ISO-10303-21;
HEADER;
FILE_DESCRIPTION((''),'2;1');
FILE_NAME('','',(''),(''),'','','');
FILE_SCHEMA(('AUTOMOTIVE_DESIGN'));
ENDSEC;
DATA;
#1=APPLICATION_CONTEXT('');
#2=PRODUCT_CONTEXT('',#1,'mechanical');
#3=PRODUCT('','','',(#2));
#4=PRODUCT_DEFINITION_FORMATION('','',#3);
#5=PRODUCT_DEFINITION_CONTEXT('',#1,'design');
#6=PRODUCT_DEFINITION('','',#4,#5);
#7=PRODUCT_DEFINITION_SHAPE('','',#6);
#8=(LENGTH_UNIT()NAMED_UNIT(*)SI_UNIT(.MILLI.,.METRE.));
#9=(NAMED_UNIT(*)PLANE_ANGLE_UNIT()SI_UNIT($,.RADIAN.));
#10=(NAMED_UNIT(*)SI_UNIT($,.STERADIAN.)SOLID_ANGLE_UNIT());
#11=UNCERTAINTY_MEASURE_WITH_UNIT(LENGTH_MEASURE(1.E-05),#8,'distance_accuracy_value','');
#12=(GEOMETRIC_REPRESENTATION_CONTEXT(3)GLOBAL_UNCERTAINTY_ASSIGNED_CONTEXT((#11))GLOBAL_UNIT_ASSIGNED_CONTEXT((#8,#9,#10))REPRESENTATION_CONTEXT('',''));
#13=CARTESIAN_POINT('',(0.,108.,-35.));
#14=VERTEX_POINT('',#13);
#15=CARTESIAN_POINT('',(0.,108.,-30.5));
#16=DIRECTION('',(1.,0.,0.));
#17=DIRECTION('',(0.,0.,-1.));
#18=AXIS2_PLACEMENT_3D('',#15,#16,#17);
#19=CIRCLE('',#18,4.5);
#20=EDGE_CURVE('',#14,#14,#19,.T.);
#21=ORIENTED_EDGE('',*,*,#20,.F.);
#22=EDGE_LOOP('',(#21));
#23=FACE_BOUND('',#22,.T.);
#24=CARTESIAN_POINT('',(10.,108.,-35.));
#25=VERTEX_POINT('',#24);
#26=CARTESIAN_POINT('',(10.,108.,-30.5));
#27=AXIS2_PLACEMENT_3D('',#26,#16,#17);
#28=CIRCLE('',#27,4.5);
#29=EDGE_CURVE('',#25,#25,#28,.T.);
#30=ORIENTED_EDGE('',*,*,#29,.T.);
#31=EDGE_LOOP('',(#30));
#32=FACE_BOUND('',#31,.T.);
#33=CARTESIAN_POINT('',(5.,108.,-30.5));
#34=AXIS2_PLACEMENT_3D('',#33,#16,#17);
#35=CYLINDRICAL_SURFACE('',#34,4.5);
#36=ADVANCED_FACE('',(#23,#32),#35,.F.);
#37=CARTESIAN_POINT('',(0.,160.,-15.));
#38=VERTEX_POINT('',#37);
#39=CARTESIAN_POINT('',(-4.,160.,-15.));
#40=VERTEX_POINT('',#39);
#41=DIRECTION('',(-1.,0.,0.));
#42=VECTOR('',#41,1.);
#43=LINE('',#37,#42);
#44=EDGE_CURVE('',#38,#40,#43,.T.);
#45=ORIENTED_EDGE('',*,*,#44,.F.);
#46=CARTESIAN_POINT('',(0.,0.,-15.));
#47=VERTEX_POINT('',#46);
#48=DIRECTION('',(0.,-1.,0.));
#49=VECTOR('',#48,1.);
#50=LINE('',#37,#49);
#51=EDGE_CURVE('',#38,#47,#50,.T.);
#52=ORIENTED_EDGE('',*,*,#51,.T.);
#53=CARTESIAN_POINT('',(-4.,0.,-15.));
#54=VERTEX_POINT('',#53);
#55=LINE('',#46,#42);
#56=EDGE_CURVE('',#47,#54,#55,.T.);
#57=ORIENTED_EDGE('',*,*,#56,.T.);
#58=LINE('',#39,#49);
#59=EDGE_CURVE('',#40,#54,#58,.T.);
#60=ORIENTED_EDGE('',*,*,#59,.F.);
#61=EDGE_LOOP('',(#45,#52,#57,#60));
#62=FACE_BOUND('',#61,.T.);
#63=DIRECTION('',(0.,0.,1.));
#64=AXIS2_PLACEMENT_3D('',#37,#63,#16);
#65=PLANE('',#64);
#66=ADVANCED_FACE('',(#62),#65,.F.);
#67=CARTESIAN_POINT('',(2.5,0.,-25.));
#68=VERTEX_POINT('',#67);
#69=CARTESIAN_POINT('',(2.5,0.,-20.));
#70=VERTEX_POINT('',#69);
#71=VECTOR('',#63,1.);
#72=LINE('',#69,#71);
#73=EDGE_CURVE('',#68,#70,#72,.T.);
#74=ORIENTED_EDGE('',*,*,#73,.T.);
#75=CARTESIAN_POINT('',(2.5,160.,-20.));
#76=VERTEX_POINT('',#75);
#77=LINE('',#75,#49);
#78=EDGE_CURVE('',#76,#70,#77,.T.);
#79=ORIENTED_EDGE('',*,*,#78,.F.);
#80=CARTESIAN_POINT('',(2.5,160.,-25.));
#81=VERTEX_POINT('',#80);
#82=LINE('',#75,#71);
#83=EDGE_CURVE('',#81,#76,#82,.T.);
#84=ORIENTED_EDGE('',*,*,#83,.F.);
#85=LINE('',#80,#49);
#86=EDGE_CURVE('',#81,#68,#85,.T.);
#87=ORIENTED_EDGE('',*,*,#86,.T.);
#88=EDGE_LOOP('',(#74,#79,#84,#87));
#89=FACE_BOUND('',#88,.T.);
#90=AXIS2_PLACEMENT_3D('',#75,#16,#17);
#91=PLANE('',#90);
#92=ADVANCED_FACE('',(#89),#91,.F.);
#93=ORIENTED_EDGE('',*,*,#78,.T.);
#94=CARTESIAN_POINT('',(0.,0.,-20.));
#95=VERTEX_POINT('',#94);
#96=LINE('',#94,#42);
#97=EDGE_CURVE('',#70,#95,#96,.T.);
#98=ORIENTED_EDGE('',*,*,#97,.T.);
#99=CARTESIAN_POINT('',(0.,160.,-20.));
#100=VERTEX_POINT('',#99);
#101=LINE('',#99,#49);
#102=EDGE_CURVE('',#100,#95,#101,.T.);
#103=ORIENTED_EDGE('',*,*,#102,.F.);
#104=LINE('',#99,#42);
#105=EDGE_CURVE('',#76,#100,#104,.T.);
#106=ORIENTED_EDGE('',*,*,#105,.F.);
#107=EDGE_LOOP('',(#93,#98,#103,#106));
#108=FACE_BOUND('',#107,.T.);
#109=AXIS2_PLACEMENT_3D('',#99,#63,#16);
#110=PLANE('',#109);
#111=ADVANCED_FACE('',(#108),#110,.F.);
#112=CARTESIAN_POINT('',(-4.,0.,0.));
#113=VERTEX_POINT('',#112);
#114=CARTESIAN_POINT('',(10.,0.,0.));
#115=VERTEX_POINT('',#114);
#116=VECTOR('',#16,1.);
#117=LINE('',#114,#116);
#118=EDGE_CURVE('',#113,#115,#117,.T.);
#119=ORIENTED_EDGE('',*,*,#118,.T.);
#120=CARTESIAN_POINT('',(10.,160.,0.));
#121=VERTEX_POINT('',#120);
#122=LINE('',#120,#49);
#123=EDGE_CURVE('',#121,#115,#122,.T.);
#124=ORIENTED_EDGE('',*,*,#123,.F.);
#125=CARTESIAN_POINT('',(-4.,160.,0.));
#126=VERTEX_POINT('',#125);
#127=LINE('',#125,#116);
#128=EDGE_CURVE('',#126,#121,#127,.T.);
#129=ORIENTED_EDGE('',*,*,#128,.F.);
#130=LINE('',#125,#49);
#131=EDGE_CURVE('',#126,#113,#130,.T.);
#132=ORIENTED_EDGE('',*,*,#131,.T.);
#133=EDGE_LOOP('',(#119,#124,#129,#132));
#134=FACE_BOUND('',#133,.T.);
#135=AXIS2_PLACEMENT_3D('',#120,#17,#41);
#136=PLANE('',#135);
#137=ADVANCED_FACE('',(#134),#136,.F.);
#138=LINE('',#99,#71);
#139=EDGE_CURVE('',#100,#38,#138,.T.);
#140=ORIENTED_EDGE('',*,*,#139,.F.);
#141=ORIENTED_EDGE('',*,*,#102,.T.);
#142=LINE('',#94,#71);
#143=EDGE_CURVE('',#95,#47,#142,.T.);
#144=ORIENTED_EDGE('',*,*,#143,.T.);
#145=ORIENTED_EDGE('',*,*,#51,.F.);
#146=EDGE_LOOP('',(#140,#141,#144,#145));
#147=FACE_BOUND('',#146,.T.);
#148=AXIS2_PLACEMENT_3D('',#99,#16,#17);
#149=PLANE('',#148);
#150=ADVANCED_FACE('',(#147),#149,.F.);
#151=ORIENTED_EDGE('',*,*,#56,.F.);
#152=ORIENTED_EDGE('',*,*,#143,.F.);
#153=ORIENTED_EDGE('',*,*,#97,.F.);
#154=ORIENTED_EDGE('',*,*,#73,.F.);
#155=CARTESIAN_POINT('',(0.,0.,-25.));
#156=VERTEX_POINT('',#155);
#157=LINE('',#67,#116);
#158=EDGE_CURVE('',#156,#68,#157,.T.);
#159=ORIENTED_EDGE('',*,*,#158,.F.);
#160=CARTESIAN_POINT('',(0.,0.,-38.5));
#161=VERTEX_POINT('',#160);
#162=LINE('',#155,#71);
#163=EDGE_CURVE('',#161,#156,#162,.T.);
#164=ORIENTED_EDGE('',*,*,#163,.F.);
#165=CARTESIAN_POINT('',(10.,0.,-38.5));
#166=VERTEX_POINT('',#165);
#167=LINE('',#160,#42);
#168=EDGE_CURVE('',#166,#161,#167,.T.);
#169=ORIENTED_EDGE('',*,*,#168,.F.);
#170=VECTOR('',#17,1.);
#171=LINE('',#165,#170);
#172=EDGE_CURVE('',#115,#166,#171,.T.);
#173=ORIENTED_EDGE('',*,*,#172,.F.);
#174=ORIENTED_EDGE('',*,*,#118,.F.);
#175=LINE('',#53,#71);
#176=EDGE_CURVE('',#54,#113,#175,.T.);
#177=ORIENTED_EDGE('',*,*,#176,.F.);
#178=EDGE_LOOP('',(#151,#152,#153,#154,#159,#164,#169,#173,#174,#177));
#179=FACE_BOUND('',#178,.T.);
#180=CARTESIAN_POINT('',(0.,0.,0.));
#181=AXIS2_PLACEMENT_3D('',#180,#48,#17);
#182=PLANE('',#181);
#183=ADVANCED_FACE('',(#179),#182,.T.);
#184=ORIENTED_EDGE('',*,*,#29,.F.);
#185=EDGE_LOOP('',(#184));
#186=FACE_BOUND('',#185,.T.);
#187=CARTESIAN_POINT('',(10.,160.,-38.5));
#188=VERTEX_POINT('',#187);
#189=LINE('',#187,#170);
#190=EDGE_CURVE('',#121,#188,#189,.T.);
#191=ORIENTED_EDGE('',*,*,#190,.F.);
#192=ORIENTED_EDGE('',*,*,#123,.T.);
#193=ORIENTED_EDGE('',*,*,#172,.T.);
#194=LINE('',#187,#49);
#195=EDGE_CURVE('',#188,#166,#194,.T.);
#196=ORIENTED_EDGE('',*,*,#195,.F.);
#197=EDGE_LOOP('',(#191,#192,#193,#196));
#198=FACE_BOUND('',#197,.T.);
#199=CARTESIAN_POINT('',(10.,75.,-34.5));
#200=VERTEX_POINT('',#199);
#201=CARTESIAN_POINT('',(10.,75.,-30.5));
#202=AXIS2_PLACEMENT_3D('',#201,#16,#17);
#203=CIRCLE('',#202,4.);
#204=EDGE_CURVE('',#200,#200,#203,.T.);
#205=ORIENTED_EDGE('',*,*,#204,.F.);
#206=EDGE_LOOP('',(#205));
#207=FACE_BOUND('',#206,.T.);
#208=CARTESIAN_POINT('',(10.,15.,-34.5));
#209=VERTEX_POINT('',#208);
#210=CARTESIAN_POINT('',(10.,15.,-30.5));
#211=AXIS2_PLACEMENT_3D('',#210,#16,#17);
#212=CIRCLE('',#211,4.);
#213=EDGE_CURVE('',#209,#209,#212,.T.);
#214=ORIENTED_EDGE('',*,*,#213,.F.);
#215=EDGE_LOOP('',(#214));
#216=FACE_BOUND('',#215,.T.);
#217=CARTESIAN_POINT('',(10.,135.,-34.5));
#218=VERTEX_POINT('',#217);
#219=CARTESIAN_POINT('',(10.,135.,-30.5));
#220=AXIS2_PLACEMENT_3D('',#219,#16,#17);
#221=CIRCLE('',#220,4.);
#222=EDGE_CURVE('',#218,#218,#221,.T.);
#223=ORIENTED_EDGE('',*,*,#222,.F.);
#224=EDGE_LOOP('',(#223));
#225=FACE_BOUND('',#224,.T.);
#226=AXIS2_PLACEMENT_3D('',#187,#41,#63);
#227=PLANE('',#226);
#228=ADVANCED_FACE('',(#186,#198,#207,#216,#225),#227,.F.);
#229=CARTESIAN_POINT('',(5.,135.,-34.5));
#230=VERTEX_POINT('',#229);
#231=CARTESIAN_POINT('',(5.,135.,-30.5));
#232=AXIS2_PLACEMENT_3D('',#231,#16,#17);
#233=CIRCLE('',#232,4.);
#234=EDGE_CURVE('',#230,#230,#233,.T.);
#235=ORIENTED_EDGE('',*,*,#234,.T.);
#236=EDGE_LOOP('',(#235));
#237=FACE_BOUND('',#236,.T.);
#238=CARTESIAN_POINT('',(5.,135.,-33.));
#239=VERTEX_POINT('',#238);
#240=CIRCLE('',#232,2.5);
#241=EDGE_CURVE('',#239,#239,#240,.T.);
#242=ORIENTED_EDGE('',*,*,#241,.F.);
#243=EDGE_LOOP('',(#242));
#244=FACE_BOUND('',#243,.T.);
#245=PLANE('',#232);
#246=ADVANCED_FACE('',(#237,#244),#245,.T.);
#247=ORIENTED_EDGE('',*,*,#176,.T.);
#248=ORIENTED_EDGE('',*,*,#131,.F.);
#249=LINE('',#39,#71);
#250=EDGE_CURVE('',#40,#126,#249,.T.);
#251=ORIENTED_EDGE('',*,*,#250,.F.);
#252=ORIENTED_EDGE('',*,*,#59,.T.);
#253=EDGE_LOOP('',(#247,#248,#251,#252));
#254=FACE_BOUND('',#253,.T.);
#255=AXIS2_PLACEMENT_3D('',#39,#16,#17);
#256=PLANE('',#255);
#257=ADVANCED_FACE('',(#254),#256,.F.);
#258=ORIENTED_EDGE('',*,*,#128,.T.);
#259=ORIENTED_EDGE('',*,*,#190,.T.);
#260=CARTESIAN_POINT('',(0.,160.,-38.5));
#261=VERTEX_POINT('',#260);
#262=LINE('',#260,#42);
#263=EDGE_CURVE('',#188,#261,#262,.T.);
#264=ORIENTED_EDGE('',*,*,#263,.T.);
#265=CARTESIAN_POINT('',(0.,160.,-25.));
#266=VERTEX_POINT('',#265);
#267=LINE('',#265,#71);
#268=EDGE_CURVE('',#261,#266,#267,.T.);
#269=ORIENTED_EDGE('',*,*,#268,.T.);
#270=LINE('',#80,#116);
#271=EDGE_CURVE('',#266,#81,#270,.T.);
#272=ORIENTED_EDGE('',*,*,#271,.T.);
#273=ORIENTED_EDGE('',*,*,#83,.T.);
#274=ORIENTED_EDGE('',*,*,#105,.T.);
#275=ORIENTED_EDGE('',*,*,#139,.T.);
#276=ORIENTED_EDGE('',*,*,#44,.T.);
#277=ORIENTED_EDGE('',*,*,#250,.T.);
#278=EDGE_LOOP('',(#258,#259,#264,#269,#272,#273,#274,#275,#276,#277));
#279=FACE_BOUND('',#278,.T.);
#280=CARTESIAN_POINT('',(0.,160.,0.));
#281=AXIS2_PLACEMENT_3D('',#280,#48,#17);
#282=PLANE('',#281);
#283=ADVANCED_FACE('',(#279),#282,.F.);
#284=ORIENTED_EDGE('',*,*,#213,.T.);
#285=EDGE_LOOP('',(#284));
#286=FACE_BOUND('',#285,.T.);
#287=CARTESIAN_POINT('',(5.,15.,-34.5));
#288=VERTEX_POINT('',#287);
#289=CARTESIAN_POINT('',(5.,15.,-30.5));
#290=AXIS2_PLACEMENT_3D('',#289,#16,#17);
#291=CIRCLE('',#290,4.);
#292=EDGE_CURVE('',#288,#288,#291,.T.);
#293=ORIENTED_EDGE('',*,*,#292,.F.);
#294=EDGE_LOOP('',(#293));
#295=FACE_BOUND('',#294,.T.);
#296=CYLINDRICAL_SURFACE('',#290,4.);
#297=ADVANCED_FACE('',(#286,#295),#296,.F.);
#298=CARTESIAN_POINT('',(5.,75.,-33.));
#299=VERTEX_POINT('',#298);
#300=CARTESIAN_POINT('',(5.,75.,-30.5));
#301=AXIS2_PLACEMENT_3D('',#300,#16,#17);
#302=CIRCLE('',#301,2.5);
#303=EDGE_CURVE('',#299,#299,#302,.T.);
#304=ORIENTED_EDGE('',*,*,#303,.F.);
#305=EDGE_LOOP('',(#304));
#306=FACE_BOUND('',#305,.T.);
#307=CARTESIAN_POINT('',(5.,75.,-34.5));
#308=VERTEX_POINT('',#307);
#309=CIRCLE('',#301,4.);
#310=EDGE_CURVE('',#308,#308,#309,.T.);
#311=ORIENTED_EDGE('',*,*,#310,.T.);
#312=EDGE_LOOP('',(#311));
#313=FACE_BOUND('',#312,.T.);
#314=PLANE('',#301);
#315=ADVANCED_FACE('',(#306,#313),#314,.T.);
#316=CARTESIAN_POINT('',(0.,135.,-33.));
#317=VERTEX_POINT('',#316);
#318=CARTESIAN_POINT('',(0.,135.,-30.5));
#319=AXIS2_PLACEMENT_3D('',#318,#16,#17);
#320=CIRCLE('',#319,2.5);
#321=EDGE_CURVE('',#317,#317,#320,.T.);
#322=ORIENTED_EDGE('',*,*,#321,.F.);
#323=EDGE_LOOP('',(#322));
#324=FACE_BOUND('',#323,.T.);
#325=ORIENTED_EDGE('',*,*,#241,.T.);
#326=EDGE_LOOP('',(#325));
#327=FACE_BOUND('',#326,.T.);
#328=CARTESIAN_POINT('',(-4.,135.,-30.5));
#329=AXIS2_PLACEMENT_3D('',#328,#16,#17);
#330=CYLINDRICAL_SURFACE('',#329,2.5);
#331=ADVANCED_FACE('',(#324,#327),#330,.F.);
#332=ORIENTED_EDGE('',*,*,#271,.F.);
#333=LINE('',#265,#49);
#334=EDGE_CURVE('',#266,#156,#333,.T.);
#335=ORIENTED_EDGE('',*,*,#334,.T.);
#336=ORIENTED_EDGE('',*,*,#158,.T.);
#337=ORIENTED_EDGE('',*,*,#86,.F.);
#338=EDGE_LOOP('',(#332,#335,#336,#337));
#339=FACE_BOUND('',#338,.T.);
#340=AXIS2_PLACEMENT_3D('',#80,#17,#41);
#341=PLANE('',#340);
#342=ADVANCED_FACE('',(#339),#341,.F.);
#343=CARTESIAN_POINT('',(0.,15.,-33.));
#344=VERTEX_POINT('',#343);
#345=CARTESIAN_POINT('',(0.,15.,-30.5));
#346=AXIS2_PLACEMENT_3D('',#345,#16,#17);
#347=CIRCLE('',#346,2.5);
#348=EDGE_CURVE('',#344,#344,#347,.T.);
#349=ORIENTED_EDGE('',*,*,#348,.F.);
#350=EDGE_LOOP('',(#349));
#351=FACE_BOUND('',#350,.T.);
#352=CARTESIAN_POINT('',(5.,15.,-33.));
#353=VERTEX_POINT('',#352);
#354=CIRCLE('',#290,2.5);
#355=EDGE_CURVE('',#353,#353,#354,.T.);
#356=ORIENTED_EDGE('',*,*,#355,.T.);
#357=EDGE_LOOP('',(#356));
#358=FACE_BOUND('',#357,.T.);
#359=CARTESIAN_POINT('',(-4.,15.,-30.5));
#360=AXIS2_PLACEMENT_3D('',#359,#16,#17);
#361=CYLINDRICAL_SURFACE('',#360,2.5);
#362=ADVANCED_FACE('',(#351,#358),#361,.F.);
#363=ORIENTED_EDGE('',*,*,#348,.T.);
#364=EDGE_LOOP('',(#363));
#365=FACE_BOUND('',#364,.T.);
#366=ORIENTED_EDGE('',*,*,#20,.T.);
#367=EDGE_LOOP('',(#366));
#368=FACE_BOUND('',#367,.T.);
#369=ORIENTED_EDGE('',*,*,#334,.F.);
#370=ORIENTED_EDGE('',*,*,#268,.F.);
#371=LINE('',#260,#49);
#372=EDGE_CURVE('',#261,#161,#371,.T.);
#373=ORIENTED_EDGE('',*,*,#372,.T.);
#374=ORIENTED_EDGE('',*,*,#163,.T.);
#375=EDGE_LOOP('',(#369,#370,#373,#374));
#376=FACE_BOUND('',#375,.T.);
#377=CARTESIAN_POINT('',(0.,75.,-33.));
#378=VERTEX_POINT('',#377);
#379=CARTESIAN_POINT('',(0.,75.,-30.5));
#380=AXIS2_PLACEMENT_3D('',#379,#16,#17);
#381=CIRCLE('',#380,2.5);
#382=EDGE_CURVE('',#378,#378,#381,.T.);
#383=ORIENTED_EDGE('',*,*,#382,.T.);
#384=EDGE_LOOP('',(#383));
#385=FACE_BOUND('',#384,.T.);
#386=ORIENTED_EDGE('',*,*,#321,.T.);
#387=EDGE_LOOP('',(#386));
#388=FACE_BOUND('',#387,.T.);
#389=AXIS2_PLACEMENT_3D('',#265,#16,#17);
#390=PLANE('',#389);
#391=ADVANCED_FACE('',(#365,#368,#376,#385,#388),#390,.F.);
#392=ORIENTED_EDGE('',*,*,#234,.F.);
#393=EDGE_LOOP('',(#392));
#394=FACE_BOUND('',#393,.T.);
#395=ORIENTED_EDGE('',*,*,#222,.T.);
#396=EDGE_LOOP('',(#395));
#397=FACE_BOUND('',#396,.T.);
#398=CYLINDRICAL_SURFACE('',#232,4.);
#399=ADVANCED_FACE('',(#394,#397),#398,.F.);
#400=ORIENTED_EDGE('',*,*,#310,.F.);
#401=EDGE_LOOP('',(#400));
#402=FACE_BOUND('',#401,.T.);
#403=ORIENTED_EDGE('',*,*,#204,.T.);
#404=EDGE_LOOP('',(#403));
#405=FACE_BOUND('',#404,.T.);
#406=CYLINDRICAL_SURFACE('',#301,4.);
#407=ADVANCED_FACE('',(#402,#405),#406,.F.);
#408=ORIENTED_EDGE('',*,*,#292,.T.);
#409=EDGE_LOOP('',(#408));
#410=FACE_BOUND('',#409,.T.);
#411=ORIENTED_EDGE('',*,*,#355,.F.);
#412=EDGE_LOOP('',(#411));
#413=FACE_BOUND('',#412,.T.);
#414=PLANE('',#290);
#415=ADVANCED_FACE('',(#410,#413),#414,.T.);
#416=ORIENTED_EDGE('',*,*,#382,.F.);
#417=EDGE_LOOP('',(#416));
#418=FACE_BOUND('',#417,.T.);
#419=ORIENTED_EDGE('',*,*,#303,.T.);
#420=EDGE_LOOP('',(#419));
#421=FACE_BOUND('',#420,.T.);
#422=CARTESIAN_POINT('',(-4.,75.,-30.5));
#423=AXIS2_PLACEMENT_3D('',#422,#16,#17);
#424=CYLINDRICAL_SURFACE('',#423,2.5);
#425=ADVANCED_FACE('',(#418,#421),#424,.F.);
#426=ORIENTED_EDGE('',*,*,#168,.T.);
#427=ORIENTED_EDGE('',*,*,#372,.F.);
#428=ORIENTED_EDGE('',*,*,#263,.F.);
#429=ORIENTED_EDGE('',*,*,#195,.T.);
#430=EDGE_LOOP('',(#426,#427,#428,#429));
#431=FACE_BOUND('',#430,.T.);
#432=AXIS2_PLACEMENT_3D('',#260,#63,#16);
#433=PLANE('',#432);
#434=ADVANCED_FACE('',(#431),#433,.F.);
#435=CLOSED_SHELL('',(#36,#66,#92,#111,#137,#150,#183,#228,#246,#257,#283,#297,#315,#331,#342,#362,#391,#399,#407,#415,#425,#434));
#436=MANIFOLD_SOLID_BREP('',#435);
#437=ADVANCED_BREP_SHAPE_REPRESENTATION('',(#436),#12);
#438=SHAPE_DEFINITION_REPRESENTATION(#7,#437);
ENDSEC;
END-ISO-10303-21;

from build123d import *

# Parameters (mm, degrees)
BOSS_EXTRUDE1_DEPTH = 160
SKETCH2_R           = 4
SKETCH2_R_2         = 4.5
CUT_EXTRUDE2_DEPTH  = 5
SKETCH3_R           = 2.5
SKETCH3_R_2         = 4.5
CUT_EXTRUDE3_DEPTH  = 10


with BuildPart() as part:
    # Sketch1 → Boss-Extrude1 (new body)
    with BuildSketch(Plane(origin=(0, 0, 0), x_dir=(1, 0, 0), z_dir=(0, 1, 0))):
        Polygon((0, 20), (2.5, 20), (2.5, 25), (0, 25), (0, 38.5), (10, 38.5), (10, 0), (0, 0), (-4, 0), (-4, 15), (0, 15), align=None)
    extrude(amount=BOSS_EXTRUDE1_DEPTH)

    # Sketch2 → Cut-Extrude2 (cut)
    with BuildSketch(Plane(origin=(10, 0, 0), x_dir=(0, 0, -1), z_dir=(1, 0, 0))):
        with Locations((30.5, 15)):
            Circle(SKETCH2_R)
        with Locations((30.5, 135)):
            Circle(SKETCH2_R)
        with Locations((30.5, 75)):
            Circle(SKETCH2_R)
        with Locations((30.5, 108)):
            Circle(SKETCH2_R_2)
    extrude(amount=-CUT_EXTRUDE2_DEPTH, mode=Mode.SUBTRACT)

    # Sketch3 → Cut-Extrude3 (cut, through all)
    with BuildSketch(Plane(origin=(5, 0, 0), x_dir=(0, 0, -1), z_dir=(1, 0, 0))):
        with Locations((30.5, 15)):
            Circle(SKETCH3_R)
        with Locations((30.5, 135)):
            Circle(SKETCH3_R)
        with Locations((30.5, 75)):
            Circle(SKETCH3_R)
        with Locations((30.5, 108)):
            Circle(SKETCH3_R_2)
    extrude(amount=-CUT_EXTRUDE3_DEPTH, mode=Mode.SUBTRACT)


solid = part.part
